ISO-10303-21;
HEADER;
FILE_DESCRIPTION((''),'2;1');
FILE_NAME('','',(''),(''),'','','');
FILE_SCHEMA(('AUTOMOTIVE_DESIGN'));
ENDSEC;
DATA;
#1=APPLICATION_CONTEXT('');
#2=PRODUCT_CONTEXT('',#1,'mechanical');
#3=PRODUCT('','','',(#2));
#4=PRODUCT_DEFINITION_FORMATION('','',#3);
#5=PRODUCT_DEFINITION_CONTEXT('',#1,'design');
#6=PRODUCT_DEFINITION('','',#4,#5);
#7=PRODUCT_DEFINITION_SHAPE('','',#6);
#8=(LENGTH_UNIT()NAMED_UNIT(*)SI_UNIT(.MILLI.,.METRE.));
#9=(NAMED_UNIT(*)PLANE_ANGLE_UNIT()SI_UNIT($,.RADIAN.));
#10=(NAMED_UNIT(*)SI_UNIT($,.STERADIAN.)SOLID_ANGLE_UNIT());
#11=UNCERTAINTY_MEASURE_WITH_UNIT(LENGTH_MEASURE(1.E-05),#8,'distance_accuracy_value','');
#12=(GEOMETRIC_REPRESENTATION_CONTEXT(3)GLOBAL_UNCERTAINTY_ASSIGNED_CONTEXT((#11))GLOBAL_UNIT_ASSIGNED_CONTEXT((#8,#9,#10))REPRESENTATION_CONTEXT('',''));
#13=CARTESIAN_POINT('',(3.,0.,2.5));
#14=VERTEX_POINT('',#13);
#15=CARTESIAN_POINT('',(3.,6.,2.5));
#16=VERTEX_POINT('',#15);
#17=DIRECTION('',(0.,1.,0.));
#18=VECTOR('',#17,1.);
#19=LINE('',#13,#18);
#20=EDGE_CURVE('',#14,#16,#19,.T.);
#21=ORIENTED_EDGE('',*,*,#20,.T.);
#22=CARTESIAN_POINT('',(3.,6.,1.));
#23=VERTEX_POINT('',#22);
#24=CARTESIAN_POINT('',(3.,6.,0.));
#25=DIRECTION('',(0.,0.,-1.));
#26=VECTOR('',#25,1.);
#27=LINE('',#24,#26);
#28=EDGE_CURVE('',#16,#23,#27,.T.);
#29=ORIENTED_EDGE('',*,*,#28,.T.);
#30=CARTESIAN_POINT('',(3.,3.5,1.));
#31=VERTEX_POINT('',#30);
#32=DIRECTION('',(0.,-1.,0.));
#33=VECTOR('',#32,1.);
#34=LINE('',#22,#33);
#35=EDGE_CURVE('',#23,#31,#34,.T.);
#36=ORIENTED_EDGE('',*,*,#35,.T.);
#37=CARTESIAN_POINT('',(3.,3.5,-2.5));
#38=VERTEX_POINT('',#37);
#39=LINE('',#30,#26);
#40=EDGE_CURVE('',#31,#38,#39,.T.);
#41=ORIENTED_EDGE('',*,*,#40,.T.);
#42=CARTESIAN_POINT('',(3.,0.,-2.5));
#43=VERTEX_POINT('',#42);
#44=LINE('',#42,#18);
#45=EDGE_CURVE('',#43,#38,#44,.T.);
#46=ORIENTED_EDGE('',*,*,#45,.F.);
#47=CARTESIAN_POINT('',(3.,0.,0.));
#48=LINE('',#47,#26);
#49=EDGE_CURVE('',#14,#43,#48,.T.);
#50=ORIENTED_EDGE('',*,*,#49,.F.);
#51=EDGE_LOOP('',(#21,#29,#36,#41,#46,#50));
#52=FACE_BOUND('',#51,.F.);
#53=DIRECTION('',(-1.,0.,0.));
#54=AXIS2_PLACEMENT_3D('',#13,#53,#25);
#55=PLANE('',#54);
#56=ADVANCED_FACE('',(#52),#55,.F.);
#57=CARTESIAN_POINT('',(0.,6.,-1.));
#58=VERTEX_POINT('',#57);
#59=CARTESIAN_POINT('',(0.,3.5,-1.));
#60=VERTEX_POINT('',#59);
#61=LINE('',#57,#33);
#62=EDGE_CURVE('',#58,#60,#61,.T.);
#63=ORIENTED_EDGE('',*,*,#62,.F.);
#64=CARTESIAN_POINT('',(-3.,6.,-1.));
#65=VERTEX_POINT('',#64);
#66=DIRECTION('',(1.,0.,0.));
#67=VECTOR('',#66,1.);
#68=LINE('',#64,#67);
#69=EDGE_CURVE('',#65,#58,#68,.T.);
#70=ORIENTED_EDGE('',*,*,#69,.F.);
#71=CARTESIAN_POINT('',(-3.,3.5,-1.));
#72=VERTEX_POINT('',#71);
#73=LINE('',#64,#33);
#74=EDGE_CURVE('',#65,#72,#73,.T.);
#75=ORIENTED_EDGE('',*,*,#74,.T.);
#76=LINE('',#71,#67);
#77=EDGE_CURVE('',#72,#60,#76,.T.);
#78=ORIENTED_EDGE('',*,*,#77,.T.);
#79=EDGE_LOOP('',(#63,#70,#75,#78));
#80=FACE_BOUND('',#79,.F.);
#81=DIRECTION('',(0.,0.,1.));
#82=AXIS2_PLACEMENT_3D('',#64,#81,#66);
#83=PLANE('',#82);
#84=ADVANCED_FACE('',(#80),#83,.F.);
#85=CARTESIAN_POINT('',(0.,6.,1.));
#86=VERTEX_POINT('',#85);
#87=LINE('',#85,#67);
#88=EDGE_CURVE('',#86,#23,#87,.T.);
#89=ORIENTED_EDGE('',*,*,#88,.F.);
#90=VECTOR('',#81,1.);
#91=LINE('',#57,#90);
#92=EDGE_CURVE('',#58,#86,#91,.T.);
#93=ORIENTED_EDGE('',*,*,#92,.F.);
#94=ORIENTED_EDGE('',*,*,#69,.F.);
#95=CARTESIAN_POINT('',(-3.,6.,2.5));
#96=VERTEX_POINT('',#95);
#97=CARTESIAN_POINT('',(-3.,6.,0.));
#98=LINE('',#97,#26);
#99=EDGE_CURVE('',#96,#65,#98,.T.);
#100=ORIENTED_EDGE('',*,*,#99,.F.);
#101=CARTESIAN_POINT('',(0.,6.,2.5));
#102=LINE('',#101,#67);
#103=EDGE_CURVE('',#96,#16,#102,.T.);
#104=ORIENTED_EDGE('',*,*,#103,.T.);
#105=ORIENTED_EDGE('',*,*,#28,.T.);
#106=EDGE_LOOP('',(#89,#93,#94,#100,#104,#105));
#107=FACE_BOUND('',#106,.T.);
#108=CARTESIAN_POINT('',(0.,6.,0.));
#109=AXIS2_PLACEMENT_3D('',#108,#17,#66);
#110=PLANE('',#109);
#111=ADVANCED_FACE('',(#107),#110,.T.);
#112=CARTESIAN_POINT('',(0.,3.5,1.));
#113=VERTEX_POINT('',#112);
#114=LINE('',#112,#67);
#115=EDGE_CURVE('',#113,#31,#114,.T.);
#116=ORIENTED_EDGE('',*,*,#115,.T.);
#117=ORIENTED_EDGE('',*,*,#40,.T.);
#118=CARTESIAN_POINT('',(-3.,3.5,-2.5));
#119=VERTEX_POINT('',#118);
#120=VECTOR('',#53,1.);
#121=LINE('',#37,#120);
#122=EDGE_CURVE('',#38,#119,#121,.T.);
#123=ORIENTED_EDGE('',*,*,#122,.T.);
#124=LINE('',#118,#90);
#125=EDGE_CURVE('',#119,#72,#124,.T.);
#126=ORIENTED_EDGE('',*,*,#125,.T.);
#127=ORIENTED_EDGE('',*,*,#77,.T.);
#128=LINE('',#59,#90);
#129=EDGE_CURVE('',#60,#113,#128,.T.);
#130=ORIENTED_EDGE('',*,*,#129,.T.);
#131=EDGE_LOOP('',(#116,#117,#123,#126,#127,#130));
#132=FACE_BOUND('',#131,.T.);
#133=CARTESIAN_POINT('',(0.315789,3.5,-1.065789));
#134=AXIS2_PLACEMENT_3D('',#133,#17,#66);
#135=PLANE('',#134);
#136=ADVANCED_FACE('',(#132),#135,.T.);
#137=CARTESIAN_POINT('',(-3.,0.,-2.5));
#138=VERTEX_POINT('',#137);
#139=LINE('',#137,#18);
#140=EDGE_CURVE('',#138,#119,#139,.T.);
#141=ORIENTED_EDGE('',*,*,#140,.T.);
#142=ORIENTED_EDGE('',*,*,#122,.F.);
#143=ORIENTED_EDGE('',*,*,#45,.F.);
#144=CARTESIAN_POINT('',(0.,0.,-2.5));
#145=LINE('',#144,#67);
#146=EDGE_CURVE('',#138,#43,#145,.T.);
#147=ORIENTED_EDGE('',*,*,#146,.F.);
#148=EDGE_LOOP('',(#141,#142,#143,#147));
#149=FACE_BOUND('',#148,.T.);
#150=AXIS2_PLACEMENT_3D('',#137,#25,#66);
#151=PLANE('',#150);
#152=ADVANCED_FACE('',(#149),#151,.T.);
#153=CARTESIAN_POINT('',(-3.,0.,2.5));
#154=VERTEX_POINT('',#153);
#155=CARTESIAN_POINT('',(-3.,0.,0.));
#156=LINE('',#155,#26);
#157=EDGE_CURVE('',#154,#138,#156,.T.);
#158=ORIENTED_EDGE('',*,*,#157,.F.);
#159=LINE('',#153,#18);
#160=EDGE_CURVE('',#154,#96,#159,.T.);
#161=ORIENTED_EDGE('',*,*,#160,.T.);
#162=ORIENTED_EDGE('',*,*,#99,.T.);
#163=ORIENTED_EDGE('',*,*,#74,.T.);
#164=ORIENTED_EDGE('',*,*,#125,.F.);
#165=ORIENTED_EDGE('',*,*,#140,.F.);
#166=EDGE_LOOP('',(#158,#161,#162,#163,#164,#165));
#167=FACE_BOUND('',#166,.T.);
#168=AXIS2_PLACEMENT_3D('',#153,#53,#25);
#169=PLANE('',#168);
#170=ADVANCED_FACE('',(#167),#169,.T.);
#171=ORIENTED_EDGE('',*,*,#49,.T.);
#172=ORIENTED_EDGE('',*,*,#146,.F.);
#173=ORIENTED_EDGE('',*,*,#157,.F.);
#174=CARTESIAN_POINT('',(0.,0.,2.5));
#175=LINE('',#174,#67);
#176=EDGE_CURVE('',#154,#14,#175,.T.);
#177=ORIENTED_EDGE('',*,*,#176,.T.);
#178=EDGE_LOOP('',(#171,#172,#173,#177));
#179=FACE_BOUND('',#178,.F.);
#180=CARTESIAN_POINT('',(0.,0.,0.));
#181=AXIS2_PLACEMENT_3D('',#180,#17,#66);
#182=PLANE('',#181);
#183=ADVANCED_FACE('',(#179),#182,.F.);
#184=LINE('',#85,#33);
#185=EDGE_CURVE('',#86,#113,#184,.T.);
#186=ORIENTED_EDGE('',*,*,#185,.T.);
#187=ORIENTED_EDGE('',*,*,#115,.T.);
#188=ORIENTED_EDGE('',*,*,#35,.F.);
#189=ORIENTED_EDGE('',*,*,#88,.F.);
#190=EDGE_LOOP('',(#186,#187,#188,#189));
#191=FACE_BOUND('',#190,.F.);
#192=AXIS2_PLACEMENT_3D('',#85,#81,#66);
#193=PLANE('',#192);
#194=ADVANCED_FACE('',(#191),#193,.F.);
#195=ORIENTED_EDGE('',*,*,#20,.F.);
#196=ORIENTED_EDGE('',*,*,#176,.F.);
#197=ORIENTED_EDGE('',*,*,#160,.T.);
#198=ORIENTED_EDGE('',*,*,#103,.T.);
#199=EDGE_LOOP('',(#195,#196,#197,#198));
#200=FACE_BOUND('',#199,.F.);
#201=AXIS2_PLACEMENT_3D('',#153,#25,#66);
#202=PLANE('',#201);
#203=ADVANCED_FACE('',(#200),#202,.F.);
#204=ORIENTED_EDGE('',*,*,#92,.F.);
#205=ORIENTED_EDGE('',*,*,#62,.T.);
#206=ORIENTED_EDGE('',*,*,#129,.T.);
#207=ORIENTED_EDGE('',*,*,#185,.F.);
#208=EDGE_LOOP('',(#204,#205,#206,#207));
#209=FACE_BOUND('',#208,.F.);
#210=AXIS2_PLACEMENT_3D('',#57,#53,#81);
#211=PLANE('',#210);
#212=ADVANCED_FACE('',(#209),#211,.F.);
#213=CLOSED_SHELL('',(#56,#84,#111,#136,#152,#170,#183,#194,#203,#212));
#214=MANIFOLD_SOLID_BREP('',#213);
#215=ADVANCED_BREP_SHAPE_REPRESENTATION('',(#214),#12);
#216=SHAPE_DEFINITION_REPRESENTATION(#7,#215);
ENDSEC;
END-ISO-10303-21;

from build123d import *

# Parameters (mm, degrees)
SKETCH1_W           = 6
SKETCH1_H           = 5
BOSS_EXTRUDE1_DEPTH = 6
CUT_EXTRUDE1_DEPTH  = 2.5


with BuildPart() as part:
    # Sketch1 → Boss-Extrude1 (new body)
    with BuildSketch(Plane(origin=(0, 0, 0), x_dir=(1, 0, 0), z_dir=(0, 1, 0))):
        Rectangle(SKETCH1_W, SKETCH1_H)
    extrude(amount=BOSS_EXTRUDE1_DEPTH)

    # Sketch2 → Cut-Extrude1 (cut)
    with BuildSketch(Plane(origin=(0, 6, 0), x_dir=(1, 0, 0), z_dir=(0, 1, 0))):
        Polygon((0, -1), (3, -1), (3, 2.5), (-3, 2.5), (-3, 1), (0, 1), align=None)
    extrude(amount=-CUT_EXTRUDE1_DEPTH, mode=Mode.SUBTRACT)


solid = part.part
